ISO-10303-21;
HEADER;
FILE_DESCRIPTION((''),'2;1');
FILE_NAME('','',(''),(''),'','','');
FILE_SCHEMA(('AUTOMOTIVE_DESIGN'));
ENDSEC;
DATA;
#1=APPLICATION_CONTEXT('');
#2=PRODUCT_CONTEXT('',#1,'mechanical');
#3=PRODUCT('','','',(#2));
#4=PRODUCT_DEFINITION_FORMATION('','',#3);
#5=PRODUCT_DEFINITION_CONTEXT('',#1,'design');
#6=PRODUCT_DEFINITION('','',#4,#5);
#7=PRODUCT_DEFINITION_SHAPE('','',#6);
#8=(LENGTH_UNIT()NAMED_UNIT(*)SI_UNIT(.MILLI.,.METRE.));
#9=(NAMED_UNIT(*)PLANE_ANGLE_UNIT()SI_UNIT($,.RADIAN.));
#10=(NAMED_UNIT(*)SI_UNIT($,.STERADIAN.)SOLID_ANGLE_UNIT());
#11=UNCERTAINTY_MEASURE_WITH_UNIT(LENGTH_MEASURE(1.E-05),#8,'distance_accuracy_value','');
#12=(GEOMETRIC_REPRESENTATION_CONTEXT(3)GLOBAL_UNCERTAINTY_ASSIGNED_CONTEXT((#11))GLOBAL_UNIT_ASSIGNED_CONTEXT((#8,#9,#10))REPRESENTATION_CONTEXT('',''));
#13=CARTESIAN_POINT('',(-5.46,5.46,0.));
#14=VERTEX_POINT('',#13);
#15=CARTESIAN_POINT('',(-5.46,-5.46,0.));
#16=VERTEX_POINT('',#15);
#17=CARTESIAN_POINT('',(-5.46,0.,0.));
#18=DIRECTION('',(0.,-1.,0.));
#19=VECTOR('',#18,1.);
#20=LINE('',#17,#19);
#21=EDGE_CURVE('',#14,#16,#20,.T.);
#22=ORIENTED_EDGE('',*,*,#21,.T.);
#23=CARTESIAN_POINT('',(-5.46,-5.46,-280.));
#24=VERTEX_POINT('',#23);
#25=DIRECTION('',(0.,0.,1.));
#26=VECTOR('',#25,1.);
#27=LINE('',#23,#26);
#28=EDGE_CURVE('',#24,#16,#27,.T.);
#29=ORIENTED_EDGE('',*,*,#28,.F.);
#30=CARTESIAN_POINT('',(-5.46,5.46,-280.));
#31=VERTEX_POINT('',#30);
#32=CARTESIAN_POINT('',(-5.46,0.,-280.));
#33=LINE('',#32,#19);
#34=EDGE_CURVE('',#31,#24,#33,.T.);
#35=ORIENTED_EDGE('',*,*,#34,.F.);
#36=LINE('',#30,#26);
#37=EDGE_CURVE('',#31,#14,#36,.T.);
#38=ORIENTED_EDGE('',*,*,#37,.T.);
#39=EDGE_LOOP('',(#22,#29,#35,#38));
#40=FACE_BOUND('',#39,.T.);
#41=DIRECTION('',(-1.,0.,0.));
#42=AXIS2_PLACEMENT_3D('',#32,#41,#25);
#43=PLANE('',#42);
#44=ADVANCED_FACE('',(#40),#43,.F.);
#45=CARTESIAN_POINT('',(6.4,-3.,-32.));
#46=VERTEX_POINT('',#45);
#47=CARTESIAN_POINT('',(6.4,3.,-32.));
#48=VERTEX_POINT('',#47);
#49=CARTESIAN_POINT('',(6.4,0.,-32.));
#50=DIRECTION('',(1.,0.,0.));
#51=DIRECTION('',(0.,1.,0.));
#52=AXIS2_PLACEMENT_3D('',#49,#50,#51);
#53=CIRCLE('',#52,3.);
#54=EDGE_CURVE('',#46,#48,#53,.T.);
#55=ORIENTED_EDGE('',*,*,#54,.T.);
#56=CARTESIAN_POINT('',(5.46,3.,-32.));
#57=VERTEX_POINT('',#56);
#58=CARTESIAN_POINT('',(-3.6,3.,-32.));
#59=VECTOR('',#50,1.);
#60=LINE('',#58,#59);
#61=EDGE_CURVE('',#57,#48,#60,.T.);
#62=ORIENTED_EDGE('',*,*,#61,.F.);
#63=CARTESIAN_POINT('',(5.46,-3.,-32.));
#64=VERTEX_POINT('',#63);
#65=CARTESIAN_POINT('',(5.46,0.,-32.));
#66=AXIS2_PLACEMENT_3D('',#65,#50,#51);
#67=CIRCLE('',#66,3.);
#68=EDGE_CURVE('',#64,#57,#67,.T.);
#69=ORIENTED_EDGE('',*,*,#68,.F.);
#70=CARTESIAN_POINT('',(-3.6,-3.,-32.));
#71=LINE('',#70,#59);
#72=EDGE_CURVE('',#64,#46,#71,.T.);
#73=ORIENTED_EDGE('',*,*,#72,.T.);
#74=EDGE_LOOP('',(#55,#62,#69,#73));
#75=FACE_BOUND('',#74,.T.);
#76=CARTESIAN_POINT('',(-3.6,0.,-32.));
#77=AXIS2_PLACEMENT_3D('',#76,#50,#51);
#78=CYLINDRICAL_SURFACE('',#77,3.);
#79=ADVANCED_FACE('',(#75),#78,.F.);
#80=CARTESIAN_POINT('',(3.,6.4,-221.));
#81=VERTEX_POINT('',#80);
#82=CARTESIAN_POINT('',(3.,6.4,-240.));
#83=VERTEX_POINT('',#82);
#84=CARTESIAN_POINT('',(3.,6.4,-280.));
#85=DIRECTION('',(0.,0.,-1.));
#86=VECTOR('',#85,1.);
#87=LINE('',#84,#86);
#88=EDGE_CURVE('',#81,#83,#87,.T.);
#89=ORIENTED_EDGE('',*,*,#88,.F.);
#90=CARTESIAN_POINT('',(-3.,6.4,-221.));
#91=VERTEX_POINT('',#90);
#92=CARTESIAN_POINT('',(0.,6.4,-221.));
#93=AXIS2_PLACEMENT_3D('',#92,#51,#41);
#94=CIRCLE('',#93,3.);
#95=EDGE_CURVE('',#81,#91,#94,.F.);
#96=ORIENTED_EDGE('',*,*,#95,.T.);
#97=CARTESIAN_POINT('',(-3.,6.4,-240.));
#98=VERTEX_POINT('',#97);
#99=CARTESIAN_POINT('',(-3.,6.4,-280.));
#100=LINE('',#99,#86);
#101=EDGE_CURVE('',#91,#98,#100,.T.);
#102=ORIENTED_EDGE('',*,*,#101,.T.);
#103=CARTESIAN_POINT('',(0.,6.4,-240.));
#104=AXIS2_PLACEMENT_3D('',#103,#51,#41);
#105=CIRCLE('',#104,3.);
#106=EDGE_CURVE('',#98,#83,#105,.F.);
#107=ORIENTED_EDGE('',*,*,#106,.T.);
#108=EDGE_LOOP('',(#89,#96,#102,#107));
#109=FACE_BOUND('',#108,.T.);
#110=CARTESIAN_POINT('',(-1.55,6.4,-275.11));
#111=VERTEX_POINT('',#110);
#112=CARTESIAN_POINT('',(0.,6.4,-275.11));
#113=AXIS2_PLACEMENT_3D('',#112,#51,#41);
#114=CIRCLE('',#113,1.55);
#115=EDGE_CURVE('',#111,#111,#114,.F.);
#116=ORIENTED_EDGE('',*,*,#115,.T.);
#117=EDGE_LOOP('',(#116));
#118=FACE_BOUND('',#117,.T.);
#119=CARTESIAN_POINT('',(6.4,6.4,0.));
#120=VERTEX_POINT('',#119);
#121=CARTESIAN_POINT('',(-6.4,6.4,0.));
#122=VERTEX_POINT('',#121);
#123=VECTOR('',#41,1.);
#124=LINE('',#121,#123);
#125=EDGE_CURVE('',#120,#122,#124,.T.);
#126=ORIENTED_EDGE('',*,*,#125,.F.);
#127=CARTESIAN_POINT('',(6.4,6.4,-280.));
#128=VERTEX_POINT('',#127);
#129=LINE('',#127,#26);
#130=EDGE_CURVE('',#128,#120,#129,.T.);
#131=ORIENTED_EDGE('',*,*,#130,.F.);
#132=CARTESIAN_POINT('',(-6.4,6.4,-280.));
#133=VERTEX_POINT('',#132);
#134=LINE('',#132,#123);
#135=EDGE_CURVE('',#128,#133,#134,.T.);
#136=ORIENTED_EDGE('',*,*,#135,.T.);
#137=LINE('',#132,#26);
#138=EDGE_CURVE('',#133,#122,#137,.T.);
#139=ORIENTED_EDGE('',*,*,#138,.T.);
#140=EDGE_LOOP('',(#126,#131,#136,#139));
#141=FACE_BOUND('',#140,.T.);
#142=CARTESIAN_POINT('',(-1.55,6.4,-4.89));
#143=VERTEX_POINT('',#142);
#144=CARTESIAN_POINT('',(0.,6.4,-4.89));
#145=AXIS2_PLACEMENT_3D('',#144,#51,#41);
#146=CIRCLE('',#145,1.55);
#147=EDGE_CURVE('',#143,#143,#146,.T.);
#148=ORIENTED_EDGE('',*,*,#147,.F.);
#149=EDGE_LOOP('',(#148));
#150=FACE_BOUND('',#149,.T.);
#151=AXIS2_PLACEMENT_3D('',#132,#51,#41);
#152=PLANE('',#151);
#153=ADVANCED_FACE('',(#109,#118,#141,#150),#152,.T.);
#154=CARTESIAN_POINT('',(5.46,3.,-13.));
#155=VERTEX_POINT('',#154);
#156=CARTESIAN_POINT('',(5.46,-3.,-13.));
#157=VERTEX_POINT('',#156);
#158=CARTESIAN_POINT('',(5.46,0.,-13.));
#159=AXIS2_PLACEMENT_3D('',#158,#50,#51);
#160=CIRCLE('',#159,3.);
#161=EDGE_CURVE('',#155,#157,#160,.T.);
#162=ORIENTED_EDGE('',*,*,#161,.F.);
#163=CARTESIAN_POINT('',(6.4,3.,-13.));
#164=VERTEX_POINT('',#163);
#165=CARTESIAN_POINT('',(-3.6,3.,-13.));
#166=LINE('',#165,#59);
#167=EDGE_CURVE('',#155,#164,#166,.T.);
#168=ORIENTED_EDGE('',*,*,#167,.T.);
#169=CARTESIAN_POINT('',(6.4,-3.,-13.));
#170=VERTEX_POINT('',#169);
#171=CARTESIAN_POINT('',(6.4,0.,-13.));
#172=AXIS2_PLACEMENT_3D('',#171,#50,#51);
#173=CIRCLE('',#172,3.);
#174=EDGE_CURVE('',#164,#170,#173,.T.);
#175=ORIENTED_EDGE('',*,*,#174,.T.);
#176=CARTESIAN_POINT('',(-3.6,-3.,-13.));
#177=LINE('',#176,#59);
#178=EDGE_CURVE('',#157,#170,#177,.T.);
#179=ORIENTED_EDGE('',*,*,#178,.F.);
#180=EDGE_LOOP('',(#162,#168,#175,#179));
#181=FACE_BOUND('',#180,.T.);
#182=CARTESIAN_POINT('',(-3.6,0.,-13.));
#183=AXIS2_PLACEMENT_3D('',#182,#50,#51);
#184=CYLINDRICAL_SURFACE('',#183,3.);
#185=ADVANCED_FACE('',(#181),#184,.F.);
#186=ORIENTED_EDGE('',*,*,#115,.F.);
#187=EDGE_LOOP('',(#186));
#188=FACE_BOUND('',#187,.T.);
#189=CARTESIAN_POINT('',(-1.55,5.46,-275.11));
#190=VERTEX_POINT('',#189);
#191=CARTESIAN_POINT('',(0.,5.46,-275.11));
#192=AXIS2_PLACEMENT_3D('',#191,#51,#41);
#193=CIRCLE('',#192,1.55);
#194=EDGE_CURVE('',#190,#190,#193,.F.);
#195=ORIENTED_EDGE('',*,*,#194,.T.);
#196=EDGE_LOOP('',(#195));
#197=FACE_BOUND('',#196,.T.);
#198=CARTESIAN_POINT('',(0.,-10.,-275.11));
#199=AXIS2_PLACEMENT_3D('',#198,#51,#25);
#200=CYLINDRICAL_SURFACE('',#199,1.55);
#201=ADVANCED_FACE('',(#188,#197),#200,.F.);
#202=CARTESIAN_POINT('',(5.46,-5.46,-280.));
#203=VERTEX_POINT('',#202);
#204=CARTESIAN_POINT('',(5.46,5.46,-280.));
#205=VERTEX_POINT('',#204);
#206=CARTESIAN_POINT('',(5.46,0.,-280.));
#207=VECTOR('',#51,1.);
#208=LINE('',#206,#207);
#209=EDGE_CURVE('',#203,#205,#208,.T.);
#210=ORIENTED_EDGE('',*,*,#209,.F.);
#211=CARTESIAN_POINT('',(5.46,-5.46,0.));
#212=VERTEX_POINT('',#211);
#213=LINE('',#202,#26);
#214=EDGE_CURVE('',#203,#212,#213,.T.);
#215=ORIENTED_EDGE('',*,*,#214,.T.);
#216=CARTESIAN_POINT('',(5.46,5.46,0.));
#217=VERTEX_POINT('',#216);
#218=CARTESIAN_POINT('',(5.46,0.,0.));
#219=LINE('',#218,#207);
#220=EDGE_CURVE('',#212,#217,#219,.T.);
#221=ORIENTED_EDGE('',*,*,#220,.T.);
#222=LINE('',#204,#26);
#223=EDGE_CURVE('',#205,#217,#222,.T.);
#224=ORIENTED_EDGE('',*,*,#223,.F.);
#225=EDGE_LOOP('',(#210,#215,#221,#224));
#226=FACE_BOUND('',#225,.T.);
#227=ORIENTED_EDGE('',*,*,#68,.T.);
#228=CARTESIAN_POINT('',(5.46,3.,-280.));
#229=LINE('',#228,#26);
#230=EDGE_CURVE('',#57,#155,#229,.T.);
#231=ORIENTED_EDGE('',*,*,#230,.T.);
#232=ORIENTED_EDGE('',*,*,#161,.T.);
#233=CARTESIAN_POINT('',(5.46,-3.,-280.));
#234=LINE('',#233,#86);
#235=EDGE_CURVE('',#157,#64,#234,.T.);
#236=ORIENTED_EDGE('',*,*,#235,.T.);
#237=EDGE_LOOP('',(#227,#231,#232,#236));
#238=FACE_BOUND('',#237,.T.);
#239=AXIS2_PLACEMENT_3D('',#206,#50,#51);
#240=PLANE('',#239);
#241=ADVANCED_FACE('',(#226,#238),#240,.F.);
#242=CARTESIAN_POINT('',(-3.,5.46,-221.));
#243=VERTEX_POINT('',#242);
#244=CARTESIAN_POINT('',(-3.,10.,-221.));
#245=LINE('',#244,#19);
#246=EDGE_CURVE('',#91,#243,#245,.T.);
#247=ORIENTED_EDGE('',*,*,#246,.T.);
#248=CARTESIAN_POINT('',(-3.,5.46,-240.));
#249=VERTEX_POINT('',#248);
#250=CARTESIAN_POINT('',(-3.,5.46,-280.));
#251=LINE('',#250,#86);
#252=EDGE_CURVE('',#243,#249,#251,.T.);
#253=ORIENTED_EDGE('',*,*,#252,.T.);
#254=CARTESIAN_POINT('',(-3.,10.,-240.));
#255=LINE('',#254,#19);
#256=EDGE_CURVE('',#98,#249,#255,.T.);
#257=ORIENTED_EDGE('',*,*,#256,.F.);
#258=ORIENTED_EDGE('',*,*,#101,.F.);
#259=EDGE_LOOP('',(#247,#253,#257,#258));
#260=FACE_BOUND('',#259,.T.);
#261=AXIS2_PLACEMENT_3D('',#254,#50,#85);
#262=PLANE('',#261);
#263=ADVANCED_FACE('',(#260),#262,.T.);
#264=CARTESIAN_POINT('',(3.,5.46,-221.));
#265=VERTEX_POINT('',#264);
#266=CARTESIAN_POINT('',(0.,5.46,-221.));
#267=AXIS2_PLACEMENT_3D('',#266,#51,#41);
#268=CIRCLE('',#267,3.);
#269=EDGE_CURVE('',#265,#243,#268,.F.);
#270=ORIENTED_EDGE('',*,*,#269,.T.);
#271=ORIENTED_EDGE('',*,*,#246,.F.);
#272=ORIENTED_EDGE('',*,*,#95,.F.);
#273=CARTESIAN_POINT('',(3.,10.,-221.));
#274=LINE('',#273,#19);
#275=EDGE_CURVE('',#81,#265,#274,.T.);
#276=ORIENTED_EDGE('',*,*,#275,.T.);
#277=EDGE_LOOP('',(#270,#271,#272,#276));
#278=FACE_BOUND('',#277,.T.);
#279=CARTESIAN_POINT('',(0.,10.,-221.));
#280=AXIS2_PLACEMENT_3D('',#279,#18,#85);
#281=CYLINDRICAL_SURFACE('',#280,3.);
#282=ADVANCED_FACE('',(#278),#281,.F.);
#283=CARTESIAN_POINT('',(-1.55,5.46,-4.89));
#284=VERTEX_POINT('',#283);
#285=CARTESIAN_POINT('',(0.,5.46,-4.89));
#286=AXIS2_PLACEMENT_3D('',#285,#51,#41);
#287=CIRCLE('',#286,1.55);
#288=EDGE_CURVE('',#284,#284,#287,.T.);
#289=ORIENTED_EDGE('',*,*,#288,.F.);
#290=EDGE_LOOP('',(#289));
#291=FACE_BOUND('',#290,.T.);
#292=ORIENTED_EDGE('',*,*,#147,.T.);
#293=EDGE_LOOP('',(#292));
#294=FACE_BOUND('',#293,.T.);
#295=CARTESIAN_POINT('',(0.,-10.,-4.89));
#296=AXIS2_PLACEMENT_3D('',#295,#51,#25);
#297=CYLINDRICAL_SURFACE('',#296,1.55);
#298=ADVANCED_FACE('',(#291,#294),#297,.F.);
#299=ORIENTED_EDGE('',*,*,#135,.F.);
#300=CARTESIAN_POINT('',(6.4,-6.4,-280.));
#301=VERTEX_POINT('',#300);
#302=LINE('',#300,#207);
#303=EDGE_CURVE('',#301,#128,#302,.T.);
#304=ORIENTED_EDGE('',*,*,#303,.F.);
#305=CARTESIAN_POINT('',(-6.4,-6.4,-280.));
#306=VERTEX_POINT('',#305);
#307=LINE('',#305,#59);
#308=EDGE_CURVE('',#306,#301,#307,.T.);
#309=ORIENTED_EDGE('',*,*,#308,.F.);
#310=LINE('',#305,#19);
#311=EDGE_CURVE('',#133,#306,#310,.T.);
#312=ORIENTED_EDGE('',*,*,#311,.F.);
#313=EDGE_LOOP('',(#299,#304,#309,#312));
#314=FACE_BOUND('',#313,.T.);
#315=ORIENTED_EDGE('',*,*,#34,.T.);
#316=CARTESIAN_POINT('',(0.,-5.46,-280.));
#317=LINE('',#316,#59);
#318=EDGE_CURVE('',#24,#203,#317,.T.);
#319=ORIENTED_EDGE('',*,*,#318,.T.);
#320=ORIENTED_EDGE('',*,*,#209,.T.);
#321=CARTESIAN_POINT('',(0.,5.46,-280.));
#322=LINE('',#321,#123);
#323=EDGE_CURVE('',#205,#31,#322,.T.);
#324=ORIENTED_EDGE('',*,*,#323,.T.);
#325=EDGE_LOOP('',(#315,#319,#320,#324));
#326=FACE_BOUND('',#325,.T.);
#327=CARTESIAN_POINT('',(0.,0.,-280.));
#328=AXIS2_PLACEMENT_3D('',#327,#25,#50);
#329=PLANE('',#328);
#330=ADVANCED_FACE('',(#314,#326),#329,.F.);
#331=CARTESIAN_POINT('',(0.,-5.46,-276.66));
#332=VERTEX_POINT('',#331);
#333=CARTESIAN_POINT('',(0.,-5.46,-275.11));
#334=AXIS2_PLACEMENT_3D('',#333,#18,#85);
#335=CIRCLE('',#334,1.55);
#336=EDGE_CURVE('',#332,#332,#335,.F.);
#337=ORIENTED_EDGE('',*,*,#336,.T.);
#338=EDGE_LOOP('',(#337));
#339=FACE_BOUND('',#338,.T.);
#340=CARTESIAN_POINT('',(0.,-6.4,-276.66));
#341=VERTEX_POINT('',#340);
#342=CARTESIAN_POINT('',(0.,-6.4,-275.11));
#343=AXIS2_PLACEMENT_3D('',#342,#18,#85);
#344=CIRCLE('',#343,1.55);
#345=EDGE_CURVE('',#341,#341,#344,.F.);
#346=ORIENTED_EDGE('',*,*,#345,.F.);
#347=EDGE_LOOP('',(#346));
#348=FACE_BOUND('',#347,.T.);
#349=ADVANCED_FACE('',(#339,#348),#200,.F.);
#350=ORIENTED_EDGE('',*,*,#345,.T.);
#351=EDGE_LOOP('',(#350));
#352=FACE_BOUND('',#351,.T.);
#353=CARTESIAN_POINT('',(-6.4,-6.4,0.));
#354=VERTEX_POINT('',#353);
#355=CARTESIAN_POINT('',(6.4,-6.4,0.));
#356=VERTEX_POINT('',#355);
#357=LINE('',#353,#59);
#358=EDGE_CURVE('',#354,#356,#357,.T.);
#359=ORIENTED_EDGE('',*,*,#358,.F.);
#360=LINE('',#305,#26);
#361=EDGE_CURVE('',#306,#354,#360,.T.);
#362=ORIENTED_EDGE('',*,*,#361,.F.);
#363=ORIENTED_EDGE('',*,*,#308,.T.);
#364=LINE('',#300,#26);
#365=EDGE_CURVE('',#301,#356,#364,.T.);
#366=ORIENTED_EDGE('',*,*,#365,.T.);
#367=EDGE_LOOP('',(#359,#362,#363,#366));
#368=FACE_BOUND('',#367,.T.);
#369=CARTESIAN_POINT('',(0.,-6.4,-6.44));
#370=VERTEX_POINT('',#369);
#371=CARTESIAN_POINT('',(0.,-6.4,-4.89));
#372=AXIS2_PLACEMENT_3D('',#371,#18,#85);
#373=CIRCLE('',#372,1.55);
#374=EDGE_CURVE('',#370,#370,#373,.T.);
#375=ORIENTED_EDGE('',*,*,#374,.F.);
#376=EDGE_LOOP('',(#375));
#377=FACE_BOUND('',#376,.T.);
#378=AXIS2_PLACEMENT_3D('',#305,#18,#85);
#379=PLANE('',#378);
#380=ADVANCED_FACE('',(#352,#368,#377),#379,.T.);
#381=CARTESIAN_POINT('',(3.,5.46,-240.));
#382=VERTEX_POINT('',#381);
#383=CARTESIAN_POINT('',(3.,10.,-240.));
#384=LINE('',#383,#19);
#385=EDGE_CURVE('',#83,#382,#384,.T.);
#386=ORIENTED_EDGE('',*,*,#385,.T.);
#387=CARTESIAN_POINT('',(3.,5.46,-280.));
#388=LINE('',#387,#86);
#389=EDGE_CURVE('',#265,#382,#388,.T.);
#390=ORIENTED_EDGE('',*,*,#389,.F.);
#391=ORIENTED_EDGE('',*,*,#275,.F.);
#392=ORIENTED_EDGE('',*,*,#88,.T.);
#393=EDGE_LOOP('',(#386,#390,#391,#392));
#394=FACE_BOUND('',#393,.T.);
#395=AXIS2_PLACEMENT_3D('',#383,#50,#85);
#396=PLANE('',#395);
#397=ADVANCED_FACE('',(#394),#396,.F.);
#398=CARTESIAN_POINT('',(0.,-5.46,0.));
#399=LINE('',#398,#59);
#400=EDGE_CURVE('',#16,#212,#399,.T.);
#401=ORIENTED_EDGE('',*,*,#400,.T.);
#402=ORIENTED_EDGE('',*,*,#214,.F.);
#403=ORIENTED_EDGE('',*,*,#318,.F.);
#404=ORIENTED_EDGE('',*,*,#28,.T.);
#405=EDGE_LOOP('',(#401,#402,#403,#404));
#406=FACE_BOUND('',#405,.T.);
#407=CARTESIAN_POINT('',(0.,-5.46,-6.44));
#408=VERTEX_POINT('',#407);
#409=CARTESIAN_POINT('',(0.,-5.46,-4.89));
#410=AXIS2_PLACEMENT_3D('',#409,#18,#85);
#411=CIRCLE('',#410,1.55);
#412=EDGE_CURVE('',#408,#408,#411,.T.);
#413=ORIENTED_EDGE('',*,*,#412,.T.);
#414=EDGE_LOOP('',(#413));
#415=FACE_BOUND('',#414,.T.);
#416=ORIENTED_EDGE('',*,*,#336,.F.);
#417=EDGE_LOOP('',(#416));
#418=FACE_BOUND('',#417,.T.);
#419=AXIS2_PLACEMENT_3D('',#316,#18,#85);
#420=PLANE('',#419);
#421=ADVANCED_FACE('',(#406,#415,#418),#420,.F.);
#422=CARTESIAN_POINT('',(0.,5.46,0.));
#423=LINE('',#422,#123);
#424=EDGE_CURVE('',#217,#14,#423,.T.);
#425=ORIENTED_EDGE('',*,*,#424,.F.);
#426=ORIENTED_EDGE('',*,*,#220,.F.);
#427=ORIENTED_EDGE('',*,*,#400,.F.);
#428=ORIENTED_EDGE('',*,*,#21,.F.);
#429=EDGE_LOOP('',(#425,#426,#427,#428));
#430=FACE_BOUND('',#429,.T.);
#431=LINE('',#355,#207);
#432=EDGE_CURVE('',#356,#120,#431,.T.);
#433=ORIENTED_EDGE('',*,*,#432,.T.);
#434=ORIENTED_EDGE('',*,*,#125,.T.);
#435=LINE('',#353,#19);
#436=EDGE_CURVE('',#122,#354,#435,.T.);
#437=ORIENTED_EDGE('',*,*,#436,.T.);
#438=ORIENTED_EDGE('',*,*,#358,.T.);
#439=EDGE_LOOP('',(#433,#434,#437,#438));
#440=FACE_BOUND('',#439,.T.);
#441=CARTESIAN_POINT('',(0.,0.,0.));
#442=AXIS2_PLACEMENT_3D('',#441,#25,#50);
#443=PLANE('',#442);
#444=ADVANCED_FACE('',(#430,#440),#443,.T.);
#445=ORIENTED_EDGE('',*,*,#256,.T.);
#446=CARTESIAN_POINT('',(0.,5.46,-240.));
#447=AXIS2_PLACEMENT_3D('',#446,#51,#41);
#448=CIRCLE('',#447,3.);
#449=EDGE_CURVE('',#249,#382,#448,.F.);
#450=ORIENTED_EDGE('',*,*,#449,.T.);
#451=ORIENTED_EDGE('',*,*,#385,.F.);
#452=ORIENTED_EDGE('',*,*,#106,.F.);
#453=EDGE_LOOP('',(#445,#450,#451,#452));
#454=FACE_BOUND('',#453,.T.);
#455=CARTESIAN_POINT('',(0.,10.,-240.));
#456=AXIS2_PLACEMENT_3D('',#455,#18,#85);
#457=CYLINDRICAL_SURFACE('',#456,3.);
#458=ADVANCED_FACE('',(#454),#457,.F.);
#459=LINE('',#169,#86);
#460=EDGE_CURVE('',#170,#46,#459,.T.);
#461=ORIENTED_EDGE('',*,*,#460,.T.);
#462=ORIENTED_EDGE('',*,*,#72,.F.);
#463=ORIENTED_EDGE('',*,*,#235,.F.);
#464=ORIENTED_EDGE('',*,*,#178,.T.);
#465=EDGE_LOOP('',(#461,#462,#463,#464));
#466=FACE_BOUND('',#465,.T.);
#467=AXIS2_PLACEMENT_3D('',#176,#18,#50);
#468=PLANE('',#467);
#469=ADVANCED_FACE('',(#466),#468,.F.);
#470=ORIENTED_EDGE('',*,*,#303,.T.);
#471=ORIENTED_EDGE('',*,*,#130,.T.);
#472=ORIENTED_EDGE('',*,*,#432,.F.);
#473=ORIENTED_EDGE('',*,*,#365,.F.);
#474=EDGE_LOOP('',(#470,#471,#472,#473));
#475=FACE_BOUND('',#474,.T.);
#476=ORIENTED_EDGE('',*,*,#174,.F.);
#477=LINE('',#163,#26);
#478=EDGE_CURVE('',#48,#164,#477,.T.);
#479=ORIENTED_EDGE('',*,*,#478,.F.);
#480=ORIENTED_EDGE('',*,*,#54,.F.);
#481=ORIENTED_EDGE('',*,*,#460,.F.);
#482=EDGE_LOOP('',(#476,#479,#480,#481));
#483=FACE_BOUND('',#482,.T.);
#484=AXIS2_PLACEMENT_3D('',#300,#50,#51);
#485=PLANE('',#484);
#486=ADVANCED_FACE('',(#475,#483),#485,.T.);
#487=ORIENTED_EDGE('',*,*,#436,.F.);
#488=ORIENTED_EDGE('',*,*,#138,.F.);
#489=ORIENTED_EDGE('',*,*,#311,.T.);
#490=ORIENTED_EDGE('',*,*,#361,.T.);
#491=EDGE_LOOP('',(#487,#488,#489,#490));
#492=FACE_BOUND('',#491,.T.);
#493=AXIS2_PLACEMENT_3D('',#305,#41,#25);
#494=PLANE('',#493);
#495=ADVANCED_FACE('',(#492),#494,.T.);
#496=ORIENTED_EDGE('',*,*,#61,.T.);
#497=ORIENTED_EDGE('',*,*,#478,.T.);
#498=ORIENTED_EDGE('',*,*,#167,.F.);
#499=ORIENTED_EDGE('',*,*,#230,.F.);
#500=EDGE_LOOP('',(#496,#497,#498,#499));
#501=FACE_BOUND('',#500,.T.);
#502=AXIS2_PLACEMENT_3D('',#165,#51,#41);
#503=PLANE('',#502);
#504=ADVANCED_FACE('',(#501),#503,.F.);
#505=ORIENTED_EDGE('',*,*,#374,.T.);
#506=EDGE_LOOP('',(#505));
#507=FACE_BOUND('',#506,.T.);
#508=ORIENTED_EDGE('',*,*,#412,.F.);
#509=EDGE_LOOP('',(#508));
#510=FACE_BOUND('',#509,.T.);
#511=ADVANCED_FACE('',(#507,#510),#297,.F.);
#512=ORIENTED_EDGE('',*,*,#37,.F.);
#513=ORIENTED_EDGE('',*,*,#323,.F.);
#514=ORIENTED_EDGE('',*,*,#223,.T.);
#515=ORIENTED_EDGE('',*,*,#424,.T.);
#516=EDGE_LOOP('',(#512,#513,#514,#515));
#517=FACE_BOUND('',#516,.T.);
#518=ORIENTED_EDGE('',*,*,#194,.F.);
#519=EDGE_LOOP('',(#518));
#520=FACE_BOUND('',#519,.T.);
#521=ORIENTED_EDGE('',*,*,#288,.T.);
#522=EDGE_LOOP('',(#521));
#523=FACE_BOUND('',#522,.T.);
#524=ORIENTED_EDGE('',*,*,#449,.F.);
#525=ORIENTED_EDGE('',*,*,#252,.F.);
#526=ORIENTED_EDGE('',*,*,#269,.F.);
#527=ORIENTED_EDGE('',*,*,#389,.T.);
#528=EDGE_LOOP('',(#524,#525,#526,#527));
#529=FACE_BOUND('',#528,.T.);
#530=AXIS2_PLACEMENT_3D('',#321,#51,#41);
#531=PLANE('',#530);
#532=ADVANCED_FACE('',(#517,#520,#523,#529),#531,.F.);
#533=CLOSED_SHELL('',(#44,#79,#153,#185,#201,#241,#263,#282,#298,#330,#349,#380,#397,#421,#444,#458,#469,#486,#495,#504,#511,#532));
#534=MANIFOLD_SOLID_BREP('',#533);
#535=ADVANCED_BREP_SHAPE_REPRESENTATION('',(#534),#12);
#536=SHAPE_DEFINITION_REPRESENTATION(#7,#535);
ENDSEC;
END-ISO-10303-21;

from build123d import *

# Parameters (mm, degrees)
CROQUIS1_W                 = 12.8
CROQUIS1_H                 = 12.8
CROQUIS1_W_2               = 10.92
CROQUIS1_H_2               = 10.92
EXTRUIR_L_MINA1_DEPTH      = 280
CORTAR_EXTRUIR1_DEPTH      = 10
CORTAR_EXTRUIR1_DEPTH_BACK = 10
CROQUIS2_R                 = 1.55
CORTAR_EXTRUIR2_DEPTH      = 10
CORTAR_EXTRUIR5_DEPTH      = 10


with BuildPart() as part:
    # Croquis1 → Extruir-Lámina1 (new body)
    with BuildSketch(Plane.XY):
        Rectangle(CROQUIS1_W, CROQUIS1_H)
        Rectangle(CROQUIS1_W_2, CROQUIS1_H_2, mode=Mode.SUBTRACT)
    extrude(amount=-EXTRUIR_L_MINA1_DEPTH)

    # Croquis2 → Cortar-Extruir1 (cut, two sides: drawn at the far end of the back side and taken through both)
    with BuildSketch(Plane(origin=(0, 0, 0), x_dir=(1, 0, 0), z_dir=(0, 1, 0)).offset(-CORTAR_EXTRUIR1_DEPTH_BACK)):
        with Locations((0, 4.89)):
            Circle(CROQUIS2_R)
        with Locations((0, 275.11)):
            Circle(CROQUIS2_R)
    extrude(amount=CORTAR_EXTRUIR1_DEPTH + CORTAR_EXTRUIR1_DEPTH_BACK, mode=Mode.SUBTRACT)

    # Croquis2<3> → Cortar-Extruir2 (cut)
    with BuildSketch(Plane(origin=(0, 0, 0), x_dir=(1, 0, 0), z_dir=(0, 1, 0))):
        with BuildLine():
            Line((3, 240), (3, 221))
            ThreePointArc((3, 221), (0, 218), (-3, 221))
            Line((-3, 221), (-3, 240))
            ThreePointArc((-3, 240), (0, 243), (3, 240))
        make_face()
    extrude(amount=CORTAR_EXTRUIR2_DEPTH, mode=Mode.SUBTRACT)

    # Croquis3 → Cortar-Extruir5 (cut)
    with BuildSketch(Plane(origin=(6.4, 0, 0), x_dir=(0, 0, -1), z_dir=(1, 0, 0))):
        with BuildLine():
            Line((13, 3), (32, 3))
            ThreePointArc((32, 3), (35, 0), (32, -3))
            Line((32, -3), (13, -3))
            ThreePointArc((13, -3), (10, 0), (13, 3))
        make_face()
    extrude(amount=-CORTAR_EXTRUIR5_DEPTH, mode=Mode.SUBTRACT)


solid = part.part
